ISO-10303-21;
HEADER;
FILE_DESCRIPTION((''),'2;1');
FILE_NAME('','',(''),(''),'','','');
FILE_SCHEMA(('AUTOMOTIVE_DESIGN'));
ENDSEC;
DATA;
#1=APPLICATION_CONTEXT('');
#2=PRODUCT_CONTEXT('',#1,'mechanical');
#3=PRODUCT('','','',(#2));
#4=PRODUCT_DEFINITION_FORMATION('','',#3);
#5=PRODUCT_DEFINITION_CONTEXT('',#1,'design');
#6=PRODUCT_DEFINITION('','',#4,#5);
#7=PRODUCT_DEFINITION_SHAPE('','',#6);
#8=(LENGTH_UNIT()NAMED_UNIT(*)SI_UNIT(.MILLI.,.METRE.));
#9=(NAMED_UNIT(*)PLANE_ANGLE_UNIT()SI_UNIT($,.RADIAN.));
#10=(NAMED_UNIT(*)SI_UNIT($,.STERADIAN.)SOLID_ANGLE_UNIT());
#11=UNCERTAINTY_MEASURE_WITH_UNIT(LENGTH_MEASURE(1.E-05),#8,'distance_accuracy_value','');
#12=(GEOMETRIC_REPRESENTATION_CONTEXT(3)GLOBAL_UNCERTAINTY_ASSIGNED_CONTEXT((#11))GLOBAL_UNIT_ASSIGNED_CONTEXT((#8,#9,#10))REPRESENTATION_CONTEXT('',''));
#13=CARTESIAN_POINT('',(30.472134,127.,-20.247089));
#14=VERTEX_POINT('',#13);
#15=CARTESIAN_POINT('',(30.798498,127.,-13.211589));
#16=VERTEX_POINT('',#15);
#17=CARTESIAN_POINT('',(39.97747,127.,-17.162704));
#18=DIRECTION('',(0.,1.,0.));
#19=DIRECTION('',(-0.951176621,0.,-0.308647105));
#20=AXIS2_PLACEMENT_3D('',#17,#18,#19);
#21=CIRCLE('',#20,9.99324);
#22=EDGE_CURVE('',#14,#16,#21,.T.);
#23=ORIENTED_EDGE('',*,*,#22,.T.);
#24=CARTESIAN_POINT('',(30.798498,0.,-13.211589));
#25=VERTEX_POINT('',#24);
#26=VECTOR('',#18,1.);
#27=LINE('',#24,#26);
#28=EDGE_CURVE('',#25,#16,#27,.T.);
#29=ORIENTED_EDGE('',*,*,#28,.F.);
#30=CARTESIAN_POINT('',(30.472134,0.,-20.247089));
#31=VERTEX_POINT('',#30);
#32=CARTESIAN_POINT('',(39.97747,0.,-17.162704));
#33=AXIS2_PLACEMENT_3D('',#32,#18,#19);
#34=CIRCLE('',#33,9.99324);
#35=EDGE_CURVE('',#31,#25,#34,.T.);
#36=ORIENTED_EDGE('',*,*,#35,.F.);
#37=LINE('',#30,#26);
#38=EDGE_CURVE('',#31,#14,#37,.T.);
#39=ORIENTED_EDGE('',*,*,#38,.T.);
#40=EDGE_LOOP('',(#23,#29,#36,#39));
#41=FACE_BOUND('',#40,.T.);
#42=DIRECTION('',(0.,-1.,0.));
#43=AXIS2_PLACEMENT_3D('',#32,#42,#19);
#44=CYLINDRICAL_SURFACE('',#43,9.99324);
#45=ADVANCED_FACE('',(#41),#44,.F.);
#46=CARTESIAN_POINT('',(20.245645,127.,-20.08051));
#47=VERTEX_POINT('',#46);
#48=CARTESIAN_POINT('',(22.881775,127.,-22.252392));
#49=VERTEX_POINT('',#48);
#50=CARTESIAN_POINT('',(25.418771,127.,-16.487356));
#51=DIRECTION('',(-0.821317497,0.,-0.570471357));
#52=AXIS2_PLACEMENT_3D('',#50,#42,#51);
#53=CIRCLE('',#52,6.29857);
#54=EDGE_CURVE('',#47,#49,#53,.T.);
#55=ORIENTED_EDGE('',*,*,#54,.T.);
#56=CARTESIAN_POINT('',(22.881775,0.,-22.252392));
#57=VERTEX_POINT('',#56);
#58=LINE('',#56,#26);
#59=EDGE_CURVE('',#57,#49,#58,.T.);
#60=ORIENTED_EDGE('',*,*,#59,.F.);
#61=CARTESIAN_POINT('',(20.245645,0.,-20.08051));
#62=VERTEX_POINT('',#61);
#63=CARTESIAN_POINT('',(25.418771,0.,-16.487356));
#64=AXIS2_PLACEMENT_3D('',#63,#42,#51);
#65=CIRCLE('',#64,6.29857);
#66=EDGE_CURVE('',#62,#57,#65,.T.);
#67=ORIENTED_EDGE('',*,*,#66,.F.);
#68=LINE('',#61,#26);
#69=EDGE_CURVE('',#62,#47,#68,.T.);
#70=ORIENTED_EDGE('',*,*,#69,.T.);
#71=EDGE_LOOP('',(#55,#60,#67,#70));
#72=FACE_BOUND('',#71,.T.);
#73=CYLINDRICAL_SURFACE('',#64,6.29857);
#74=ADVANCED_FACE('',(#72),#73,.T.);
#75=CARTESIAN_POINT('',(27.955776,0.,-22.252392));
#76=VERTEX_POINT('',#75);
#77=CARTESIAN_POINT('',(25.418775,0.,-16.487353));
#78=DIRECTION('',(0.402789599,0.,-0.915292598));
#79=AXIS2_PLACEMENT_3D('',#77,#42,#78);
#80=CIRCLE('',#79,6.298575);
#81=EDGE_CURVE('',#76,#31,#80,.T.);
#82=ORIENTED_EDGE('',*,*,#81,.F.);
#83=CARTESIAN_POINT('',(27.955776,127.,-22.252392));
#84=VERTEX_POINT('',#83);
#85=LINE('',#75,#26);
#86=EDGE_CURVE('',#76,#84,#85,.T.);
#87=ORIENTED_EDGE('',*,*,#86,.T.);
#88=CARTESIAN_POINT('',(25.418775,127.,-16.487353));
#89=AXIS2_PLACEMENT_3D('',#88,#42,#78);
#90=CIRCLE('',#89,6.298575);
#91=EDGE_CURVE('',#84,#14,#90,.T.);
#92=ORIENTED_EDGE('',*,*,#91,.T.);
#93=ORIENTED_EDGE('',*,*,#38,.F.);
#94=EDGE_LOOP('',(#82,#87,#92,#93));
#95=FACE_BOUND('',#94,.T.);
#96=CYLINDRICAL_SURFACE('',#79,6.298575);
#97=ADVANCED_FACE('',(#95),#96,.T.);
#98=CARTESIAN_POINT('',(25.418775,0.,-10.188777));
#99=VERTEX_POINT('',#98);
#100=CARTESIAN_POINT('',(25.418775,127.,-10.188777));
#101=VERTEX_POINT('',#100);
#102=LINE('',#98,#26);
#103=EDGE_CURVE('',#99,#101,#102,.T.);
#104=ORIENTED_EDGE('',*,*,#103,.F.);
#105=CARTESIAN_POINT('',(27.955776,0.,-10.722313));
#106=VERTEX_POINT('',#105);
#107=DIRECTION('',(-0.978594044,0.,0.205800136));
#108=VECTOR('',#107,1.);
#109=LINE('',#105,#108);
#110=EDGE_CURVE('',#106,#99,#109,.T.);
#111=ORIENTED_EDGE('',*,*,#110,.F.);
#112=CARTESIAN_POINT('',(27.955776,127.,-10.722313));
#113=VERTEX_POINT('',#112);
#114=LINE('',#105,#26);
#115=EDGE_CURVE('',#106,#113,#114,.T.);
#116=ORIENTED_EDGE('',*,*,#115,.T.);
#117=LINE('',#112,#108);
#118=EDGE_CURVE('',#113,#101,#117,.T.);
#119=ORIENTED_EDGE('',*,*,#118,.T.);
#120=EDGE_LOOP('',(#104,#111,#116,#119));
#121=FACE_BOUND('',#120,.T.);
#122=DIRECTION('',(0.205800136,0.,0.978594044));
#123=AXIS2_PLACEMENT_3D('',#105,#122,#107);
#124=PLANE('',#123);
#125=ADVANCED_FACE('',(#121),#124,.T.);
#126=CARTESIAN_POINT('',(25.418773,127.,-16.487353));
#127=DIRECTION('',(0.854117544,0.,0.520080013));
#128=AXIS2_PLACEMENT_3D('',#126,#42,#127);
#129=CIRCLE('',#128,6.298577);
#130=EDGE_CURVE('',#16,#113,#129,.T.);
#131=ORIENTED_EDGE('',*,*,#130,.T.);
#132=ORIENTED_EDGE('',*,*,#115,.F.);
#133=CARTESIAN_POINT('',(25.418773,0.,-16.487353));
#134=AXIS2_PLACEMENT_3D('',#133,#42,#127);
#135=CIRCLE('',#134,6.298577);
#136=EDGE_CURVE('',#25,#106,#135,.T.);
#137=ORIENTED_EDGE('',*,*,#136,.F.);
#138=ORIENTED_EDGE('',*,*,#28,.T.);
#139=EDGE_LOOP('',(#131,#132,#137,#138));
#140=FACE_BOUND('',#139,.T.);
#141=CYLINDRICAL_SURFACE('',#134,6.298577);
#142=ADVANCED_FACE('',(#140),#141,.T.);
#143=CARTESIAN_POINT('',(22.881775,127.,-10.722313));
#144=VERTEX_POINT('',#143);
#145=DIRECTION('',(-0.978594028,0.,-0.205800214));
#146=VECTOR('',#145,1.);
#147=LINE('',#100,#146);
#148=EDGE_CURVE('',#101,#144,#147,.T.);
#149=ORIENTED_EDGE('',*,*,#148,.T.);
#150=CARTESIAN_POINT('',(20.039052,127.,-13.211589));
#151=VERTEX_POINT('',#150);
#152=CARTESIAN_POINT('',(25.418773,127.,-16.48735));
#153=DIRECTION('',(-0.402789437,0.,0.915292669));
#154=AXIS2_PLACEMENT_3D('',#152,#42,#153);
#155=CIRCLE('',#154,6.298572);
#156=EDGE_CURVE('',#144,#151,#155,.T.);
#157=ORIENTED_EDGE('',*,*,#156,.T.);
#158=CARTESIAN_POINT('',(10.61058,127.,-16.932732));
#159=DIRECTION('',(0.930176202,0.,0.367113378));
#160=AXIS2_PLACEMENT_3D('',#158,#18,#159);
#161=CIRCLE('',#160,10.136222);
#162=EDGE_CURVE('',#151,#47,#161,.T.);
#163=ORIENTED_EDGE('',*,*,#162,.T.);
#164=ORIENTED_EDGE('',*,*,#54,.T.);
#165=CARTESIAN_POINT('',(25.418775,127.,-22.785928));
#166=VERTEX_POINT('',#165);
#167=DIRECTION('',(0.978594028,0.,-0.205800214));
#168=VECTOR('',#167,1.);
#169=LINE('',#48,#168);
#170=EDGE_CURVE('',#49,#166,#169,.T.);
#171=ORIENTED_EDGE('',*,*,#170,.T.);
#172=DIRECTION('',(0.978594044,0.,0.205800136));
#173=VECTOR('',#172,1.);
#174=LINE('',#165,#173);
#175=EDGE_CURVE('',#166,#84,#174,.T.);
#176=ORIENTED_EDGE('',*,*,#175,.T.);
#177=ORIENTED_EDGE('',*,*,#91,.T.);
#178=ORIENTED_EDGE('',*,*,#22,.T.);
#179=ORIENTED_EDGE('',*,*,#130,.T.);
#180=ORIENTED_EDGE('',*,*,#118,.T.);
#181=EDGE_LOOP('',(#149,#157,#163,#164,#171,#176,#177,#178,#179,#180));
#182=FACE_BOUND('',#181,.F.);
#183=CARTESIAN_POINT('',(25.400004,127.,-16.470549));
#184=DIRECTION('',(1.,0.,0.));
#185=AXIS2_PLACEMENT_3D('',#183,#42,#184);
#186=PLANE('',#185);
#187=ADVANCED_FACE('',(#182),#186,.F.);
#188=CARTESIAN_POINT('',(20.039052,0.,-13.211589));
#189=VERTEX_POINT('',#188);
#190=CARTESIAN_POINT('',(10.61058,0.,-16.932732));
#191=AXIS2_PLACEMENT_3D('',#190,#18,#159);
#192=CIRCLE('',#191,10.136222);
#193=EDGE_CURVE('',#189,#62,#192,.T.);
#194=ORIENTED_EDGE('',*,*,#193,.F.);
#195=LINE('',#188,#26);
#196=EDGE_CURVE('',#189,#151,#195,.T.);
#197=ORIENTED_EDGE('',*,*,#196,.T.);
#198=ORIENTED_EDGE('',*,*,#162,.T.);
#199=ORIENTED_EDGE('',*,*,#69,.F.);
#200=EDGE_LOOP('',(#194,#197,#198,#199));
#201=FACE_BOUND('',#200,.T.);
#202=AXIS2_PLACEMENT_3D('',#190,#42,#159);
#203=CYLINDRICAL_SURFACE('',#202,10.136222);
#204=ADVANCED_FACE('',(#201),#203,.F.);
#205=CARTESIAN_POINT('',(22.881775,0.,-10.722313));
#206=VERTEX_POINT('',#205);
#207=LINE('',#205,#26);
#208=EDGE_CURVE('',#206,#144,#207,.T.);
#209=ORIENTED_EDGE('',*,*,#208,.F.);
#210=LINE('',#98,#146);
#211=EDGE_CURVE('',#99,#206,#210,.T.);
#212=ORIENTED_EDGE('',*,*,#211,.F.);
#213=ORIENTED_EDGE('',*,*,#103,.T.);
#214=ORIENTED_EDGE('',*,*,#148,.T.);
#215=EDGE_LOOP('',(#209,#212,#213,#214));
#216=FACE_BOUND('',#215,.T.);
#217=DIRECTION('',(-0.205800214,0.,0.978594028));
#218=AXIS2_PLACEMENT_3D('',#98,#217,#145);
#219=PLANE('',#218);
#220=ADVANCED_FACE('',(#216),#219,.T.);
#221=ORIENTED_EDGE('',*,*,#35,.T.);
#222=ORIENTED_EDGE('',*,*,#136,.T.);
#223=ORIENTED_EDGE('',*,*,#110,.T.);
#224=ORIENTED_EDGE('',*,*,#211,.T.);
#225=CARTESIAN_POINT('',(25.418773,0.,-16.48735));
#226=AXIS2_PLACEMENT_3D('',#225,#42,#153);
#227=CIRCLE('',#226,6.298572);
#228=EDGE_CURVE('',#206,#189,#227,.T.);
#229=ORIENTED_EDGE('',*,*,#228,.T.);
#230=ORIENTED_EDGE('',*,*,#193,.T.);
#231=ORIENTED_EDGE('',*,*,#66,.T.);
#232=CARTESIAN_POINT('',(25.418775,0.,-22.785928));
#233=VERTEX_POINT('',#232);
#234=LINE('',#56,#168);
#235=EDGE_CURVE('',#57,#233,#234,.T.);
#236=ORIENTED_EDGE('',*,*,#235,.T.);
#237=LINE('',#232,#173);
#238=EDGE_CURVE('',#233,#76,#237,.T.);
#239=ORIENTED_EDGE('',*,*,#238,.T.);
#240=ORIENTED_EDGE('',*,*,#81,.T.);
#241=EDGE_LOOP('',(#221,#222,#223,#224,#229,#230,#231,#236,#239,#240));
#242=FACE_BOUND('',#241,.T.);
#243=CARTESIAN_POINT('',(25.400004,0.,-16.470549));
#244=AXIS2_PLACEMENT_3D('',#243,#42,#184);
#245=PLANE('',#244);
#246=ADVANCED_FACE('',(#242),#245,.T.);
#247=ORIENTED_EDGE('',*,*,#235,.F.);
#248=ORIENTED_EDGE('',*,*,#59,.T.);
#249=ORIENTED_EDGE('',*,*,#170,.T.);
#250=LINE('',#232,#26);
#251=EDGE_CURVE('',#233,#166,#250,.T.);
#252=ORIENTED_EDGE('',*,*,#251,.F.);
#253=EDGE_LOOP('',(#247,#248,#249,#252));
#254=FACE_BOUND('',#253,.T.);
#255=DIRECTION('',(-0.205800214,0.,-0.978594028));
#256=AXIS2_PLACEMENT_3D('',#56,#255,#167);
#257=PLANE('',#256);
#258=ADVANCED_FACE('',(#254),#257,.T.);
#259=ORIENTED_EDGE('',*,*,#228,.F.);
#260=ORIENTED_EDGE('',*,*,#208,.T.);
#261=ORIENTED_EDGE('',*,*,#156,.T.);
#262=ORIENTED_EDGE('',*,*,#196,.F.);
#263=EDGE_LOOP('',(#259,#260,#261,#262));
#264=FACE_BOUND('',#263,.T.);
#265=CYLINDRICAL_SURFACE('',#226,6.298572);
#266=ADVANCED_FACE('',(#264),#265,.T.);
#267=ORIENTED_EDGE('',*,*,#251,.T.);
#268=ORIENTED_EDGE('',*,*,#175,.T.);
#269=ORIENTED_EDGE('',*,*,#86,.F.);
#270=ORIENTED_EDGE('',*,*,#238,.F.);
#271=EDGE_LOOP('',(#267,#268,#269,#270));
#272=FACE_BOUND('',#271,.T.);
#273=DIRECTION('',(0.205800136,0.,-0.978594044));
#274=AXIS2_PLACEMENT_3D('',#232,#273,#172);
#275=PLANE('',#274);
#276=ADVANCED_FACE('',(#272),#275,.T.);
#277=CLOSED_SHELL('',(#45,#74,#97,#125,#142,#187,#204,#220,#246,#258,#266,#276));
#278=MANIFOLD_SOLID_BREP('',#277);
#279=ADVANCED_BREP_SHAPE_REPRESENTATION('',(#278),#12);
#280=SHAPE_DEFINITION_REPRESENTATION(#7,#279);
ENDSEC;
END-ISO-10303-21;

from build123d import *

# Parameters (mm, degrees)
F1_DEPTH = 127


with BuildPart() as f1:
    # F0 (on Front) → F1 (new body)
    with BuildSketch(Plane.XZ):
        with BuildLine():
            Line((25.418775, -10.188777), (22.881775, -10.722313))
            ThreePointArc((22.881775, -10.722313), (21.269347, -11.748756), (20.039052, -13.211589))
            ThreePointArc((20.039052, -13.211589), (20.74222, -16.628007), (20.245645, -20.08051))
            ThreePointArc((20.245645, -20.08051), (21.413679, -21.348552), (22.881775, -22.252392))
            Line((22.881775, -22.252392), (25.418775, -22.785928))
            Line((25.418775, -22.785928), (27.955776, -22.252392))
            ThreePointArc((27.955776, -22.252392), (29.344167, -21.413137), (30.472134, -20.247089))
            ThreePointArc((30.472134, -20.247089), (29.994965, -16.699634), (30.798498, -13.211589))
            ThreePointArc((30.798498, -13.211589), (29.568203, -11.748756), (27.955776, -10.722313))
            Line((27.955776, -10.722313), (25.418775, -10.188777))
        make_face()
    extrude(amount=-F1_DEPTH)


solid = f1.part
